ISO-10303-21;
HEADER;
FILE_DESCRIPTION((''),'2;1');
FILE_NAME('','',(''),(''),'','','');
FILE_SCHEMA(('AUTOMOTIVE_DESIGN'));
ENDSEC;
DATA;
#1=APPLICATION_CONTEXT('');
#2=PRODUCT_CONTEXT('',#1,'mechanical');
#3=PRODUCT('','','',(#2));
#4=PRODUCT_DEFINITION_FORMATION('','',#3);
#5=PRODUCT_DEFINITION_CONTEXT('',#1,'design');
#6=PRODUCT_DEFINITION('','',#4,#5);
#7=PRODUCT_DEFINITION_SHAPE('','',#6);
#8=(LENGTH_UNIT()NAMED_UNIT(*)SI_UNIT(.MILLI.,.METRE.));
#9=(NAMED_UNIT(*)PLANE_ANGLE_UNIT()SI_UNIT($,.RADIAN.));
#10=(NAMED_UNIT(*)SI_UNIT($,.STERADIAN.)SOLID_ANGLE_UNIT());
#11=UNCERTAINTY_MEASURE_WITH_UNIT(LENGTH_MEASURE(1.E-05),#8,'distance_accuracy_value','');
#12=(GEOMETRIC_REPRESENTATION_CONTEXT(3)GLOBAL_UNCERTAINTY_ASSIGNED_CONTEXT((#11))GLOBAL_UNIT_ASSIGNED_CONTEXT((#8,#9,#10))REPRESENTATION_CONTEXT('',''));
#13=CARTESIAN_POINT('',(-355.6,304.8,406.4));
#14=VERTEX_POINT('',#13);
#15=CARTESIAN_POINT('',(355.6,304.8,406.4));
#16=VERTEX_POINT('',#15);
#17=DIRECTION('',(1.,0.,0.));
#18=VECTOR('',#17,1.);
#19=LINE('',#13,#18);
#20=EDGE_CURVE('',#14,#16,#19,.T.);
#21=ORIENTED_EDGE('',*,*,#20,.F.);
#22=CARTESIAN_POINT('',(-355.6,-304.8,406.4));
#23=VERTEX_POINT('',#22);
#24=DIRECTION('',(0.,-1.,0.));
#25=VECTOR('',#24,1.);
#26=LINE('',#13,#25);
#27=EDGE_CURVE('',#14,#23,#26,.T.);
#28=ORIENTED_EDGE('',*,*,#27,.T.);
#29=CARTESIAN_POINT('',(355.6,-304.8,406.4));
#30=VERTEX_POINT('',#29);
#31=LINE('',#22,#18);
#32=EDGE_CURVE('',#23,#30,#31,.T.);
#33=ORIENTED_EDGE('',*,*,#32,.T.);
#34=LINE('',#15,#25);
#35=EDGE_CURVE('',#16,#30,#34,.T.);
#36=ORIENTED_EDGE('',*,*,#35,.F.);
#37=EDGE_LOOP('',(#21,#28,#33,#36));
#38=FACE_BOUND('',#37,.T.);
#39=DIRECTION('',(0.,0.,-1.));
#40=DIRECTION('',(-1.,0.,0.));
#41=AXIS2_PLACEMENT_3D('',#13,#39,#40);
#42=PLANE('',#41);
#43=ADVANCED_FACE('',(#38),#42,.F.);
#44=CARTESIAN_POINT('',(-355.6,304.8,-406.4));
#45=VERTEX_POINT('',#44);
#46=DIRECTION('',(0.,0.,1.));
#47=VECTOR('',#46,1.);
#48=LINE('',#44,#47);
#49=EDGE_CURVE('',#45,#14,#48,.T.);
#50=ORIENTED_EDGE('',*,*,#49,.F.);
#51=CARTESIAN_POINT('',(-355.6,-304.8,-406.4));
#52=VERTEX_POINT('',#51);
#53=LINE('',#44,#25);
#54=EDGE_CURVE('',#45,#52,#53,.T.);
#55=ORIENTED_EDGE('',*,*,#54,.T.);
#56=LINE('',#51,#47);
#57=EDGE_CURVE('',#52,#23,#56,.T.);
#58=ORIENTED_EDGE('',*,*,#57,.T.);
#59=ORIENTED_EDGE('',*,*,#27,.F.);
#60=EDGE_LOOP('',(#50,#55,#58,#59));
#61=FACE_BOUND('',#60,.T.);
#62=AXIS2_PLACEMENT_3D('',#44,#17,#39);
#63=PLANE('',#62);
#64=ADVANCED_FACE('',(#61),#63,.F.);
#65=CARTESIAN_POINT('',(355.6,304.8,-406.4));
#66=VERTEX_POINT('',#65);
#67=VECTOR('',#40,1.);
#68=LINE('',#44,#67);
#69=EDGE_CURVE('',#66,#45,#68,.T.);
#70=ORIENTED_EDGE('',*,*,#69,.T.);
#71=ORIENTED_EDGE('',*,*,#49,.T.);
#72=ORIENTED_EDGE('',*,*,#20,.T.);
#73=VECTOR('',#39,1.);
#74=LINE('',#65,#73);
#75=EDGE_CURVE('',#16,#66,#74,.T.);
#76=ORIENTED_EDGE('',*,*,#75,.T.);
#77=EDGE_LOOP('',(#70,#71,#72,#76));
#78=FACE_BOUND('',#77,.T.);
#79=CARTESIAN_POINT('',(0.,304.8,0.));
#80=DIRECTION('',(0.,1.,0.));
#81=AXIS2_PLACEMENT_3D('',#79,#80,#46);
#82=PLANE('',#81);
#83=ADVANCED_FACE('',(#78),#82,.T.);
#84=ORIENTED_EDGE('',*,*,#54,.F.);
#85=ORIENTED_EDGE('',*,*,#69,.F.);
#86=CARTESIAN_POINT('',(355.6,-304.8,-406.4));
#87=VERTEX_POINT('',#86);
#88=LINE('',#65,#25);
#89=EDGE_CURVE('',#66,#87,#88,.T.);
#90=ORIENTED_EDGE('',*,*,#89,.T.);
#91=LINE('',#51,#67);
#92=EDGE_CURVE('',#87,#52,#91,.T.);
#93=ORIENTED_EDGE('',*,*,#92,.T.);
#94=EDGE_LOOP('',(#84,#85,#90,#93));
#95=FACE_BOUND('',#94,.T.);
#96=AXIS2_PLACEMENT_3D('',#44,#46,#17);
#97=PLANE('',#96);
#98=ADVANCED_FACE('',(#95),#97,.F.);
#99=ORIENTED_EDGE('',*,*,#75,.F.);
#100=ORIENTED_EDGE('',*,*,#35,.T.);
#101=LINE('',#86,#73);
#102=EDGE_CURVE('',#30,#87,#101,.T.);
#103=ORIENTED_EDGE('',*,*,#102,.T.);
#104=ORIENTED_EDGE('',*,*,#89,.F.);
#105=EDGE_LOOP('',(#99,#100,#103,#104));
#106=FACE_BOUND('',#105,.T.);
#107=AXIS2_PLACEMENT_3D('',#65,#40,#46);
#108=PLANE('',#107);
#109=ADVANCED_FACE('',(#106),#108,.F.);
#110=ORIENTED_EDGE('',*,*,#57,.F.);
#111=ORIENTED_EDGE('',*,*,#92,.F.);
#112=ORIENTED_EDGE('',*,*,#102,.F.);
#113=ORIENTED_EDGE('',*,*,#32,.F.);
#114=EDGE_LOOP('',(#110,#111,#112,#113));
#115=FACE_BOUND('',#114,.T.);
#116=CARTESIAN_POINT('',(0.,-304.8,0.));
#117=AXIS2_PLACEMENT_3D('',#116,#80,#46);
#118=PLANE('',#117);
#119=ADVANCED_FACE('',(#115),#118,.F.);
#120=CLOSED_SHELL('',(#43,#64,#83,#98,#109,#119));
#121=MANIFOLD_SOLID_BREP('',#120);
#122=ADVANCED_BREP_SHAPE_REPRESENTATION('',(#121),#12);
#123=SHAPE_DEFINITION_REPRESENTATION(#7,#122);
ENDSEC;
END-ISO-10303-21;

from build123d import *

# Parameters (mm, degrees)
SKETCH1_W           = 711.2
SKETCH1_H           = 812.8
BOSS_EXTRUDE1_DEPTH = 304.8


with BuildPart() as part:
    # Sketch1 → Boss-Extrude1 (new body, symmetric)
    with BuildSketch(Plane(origin=(0, 0, 0), x_dir=(1, 0, 0), z_dir=(0, 1, 0))):
        Rectangle(SKETCH1_W, SKETCH1_H)
    extrude(amount=BOSS_EXTRUDE1_DEPTH, both=True)


solid = part.part
